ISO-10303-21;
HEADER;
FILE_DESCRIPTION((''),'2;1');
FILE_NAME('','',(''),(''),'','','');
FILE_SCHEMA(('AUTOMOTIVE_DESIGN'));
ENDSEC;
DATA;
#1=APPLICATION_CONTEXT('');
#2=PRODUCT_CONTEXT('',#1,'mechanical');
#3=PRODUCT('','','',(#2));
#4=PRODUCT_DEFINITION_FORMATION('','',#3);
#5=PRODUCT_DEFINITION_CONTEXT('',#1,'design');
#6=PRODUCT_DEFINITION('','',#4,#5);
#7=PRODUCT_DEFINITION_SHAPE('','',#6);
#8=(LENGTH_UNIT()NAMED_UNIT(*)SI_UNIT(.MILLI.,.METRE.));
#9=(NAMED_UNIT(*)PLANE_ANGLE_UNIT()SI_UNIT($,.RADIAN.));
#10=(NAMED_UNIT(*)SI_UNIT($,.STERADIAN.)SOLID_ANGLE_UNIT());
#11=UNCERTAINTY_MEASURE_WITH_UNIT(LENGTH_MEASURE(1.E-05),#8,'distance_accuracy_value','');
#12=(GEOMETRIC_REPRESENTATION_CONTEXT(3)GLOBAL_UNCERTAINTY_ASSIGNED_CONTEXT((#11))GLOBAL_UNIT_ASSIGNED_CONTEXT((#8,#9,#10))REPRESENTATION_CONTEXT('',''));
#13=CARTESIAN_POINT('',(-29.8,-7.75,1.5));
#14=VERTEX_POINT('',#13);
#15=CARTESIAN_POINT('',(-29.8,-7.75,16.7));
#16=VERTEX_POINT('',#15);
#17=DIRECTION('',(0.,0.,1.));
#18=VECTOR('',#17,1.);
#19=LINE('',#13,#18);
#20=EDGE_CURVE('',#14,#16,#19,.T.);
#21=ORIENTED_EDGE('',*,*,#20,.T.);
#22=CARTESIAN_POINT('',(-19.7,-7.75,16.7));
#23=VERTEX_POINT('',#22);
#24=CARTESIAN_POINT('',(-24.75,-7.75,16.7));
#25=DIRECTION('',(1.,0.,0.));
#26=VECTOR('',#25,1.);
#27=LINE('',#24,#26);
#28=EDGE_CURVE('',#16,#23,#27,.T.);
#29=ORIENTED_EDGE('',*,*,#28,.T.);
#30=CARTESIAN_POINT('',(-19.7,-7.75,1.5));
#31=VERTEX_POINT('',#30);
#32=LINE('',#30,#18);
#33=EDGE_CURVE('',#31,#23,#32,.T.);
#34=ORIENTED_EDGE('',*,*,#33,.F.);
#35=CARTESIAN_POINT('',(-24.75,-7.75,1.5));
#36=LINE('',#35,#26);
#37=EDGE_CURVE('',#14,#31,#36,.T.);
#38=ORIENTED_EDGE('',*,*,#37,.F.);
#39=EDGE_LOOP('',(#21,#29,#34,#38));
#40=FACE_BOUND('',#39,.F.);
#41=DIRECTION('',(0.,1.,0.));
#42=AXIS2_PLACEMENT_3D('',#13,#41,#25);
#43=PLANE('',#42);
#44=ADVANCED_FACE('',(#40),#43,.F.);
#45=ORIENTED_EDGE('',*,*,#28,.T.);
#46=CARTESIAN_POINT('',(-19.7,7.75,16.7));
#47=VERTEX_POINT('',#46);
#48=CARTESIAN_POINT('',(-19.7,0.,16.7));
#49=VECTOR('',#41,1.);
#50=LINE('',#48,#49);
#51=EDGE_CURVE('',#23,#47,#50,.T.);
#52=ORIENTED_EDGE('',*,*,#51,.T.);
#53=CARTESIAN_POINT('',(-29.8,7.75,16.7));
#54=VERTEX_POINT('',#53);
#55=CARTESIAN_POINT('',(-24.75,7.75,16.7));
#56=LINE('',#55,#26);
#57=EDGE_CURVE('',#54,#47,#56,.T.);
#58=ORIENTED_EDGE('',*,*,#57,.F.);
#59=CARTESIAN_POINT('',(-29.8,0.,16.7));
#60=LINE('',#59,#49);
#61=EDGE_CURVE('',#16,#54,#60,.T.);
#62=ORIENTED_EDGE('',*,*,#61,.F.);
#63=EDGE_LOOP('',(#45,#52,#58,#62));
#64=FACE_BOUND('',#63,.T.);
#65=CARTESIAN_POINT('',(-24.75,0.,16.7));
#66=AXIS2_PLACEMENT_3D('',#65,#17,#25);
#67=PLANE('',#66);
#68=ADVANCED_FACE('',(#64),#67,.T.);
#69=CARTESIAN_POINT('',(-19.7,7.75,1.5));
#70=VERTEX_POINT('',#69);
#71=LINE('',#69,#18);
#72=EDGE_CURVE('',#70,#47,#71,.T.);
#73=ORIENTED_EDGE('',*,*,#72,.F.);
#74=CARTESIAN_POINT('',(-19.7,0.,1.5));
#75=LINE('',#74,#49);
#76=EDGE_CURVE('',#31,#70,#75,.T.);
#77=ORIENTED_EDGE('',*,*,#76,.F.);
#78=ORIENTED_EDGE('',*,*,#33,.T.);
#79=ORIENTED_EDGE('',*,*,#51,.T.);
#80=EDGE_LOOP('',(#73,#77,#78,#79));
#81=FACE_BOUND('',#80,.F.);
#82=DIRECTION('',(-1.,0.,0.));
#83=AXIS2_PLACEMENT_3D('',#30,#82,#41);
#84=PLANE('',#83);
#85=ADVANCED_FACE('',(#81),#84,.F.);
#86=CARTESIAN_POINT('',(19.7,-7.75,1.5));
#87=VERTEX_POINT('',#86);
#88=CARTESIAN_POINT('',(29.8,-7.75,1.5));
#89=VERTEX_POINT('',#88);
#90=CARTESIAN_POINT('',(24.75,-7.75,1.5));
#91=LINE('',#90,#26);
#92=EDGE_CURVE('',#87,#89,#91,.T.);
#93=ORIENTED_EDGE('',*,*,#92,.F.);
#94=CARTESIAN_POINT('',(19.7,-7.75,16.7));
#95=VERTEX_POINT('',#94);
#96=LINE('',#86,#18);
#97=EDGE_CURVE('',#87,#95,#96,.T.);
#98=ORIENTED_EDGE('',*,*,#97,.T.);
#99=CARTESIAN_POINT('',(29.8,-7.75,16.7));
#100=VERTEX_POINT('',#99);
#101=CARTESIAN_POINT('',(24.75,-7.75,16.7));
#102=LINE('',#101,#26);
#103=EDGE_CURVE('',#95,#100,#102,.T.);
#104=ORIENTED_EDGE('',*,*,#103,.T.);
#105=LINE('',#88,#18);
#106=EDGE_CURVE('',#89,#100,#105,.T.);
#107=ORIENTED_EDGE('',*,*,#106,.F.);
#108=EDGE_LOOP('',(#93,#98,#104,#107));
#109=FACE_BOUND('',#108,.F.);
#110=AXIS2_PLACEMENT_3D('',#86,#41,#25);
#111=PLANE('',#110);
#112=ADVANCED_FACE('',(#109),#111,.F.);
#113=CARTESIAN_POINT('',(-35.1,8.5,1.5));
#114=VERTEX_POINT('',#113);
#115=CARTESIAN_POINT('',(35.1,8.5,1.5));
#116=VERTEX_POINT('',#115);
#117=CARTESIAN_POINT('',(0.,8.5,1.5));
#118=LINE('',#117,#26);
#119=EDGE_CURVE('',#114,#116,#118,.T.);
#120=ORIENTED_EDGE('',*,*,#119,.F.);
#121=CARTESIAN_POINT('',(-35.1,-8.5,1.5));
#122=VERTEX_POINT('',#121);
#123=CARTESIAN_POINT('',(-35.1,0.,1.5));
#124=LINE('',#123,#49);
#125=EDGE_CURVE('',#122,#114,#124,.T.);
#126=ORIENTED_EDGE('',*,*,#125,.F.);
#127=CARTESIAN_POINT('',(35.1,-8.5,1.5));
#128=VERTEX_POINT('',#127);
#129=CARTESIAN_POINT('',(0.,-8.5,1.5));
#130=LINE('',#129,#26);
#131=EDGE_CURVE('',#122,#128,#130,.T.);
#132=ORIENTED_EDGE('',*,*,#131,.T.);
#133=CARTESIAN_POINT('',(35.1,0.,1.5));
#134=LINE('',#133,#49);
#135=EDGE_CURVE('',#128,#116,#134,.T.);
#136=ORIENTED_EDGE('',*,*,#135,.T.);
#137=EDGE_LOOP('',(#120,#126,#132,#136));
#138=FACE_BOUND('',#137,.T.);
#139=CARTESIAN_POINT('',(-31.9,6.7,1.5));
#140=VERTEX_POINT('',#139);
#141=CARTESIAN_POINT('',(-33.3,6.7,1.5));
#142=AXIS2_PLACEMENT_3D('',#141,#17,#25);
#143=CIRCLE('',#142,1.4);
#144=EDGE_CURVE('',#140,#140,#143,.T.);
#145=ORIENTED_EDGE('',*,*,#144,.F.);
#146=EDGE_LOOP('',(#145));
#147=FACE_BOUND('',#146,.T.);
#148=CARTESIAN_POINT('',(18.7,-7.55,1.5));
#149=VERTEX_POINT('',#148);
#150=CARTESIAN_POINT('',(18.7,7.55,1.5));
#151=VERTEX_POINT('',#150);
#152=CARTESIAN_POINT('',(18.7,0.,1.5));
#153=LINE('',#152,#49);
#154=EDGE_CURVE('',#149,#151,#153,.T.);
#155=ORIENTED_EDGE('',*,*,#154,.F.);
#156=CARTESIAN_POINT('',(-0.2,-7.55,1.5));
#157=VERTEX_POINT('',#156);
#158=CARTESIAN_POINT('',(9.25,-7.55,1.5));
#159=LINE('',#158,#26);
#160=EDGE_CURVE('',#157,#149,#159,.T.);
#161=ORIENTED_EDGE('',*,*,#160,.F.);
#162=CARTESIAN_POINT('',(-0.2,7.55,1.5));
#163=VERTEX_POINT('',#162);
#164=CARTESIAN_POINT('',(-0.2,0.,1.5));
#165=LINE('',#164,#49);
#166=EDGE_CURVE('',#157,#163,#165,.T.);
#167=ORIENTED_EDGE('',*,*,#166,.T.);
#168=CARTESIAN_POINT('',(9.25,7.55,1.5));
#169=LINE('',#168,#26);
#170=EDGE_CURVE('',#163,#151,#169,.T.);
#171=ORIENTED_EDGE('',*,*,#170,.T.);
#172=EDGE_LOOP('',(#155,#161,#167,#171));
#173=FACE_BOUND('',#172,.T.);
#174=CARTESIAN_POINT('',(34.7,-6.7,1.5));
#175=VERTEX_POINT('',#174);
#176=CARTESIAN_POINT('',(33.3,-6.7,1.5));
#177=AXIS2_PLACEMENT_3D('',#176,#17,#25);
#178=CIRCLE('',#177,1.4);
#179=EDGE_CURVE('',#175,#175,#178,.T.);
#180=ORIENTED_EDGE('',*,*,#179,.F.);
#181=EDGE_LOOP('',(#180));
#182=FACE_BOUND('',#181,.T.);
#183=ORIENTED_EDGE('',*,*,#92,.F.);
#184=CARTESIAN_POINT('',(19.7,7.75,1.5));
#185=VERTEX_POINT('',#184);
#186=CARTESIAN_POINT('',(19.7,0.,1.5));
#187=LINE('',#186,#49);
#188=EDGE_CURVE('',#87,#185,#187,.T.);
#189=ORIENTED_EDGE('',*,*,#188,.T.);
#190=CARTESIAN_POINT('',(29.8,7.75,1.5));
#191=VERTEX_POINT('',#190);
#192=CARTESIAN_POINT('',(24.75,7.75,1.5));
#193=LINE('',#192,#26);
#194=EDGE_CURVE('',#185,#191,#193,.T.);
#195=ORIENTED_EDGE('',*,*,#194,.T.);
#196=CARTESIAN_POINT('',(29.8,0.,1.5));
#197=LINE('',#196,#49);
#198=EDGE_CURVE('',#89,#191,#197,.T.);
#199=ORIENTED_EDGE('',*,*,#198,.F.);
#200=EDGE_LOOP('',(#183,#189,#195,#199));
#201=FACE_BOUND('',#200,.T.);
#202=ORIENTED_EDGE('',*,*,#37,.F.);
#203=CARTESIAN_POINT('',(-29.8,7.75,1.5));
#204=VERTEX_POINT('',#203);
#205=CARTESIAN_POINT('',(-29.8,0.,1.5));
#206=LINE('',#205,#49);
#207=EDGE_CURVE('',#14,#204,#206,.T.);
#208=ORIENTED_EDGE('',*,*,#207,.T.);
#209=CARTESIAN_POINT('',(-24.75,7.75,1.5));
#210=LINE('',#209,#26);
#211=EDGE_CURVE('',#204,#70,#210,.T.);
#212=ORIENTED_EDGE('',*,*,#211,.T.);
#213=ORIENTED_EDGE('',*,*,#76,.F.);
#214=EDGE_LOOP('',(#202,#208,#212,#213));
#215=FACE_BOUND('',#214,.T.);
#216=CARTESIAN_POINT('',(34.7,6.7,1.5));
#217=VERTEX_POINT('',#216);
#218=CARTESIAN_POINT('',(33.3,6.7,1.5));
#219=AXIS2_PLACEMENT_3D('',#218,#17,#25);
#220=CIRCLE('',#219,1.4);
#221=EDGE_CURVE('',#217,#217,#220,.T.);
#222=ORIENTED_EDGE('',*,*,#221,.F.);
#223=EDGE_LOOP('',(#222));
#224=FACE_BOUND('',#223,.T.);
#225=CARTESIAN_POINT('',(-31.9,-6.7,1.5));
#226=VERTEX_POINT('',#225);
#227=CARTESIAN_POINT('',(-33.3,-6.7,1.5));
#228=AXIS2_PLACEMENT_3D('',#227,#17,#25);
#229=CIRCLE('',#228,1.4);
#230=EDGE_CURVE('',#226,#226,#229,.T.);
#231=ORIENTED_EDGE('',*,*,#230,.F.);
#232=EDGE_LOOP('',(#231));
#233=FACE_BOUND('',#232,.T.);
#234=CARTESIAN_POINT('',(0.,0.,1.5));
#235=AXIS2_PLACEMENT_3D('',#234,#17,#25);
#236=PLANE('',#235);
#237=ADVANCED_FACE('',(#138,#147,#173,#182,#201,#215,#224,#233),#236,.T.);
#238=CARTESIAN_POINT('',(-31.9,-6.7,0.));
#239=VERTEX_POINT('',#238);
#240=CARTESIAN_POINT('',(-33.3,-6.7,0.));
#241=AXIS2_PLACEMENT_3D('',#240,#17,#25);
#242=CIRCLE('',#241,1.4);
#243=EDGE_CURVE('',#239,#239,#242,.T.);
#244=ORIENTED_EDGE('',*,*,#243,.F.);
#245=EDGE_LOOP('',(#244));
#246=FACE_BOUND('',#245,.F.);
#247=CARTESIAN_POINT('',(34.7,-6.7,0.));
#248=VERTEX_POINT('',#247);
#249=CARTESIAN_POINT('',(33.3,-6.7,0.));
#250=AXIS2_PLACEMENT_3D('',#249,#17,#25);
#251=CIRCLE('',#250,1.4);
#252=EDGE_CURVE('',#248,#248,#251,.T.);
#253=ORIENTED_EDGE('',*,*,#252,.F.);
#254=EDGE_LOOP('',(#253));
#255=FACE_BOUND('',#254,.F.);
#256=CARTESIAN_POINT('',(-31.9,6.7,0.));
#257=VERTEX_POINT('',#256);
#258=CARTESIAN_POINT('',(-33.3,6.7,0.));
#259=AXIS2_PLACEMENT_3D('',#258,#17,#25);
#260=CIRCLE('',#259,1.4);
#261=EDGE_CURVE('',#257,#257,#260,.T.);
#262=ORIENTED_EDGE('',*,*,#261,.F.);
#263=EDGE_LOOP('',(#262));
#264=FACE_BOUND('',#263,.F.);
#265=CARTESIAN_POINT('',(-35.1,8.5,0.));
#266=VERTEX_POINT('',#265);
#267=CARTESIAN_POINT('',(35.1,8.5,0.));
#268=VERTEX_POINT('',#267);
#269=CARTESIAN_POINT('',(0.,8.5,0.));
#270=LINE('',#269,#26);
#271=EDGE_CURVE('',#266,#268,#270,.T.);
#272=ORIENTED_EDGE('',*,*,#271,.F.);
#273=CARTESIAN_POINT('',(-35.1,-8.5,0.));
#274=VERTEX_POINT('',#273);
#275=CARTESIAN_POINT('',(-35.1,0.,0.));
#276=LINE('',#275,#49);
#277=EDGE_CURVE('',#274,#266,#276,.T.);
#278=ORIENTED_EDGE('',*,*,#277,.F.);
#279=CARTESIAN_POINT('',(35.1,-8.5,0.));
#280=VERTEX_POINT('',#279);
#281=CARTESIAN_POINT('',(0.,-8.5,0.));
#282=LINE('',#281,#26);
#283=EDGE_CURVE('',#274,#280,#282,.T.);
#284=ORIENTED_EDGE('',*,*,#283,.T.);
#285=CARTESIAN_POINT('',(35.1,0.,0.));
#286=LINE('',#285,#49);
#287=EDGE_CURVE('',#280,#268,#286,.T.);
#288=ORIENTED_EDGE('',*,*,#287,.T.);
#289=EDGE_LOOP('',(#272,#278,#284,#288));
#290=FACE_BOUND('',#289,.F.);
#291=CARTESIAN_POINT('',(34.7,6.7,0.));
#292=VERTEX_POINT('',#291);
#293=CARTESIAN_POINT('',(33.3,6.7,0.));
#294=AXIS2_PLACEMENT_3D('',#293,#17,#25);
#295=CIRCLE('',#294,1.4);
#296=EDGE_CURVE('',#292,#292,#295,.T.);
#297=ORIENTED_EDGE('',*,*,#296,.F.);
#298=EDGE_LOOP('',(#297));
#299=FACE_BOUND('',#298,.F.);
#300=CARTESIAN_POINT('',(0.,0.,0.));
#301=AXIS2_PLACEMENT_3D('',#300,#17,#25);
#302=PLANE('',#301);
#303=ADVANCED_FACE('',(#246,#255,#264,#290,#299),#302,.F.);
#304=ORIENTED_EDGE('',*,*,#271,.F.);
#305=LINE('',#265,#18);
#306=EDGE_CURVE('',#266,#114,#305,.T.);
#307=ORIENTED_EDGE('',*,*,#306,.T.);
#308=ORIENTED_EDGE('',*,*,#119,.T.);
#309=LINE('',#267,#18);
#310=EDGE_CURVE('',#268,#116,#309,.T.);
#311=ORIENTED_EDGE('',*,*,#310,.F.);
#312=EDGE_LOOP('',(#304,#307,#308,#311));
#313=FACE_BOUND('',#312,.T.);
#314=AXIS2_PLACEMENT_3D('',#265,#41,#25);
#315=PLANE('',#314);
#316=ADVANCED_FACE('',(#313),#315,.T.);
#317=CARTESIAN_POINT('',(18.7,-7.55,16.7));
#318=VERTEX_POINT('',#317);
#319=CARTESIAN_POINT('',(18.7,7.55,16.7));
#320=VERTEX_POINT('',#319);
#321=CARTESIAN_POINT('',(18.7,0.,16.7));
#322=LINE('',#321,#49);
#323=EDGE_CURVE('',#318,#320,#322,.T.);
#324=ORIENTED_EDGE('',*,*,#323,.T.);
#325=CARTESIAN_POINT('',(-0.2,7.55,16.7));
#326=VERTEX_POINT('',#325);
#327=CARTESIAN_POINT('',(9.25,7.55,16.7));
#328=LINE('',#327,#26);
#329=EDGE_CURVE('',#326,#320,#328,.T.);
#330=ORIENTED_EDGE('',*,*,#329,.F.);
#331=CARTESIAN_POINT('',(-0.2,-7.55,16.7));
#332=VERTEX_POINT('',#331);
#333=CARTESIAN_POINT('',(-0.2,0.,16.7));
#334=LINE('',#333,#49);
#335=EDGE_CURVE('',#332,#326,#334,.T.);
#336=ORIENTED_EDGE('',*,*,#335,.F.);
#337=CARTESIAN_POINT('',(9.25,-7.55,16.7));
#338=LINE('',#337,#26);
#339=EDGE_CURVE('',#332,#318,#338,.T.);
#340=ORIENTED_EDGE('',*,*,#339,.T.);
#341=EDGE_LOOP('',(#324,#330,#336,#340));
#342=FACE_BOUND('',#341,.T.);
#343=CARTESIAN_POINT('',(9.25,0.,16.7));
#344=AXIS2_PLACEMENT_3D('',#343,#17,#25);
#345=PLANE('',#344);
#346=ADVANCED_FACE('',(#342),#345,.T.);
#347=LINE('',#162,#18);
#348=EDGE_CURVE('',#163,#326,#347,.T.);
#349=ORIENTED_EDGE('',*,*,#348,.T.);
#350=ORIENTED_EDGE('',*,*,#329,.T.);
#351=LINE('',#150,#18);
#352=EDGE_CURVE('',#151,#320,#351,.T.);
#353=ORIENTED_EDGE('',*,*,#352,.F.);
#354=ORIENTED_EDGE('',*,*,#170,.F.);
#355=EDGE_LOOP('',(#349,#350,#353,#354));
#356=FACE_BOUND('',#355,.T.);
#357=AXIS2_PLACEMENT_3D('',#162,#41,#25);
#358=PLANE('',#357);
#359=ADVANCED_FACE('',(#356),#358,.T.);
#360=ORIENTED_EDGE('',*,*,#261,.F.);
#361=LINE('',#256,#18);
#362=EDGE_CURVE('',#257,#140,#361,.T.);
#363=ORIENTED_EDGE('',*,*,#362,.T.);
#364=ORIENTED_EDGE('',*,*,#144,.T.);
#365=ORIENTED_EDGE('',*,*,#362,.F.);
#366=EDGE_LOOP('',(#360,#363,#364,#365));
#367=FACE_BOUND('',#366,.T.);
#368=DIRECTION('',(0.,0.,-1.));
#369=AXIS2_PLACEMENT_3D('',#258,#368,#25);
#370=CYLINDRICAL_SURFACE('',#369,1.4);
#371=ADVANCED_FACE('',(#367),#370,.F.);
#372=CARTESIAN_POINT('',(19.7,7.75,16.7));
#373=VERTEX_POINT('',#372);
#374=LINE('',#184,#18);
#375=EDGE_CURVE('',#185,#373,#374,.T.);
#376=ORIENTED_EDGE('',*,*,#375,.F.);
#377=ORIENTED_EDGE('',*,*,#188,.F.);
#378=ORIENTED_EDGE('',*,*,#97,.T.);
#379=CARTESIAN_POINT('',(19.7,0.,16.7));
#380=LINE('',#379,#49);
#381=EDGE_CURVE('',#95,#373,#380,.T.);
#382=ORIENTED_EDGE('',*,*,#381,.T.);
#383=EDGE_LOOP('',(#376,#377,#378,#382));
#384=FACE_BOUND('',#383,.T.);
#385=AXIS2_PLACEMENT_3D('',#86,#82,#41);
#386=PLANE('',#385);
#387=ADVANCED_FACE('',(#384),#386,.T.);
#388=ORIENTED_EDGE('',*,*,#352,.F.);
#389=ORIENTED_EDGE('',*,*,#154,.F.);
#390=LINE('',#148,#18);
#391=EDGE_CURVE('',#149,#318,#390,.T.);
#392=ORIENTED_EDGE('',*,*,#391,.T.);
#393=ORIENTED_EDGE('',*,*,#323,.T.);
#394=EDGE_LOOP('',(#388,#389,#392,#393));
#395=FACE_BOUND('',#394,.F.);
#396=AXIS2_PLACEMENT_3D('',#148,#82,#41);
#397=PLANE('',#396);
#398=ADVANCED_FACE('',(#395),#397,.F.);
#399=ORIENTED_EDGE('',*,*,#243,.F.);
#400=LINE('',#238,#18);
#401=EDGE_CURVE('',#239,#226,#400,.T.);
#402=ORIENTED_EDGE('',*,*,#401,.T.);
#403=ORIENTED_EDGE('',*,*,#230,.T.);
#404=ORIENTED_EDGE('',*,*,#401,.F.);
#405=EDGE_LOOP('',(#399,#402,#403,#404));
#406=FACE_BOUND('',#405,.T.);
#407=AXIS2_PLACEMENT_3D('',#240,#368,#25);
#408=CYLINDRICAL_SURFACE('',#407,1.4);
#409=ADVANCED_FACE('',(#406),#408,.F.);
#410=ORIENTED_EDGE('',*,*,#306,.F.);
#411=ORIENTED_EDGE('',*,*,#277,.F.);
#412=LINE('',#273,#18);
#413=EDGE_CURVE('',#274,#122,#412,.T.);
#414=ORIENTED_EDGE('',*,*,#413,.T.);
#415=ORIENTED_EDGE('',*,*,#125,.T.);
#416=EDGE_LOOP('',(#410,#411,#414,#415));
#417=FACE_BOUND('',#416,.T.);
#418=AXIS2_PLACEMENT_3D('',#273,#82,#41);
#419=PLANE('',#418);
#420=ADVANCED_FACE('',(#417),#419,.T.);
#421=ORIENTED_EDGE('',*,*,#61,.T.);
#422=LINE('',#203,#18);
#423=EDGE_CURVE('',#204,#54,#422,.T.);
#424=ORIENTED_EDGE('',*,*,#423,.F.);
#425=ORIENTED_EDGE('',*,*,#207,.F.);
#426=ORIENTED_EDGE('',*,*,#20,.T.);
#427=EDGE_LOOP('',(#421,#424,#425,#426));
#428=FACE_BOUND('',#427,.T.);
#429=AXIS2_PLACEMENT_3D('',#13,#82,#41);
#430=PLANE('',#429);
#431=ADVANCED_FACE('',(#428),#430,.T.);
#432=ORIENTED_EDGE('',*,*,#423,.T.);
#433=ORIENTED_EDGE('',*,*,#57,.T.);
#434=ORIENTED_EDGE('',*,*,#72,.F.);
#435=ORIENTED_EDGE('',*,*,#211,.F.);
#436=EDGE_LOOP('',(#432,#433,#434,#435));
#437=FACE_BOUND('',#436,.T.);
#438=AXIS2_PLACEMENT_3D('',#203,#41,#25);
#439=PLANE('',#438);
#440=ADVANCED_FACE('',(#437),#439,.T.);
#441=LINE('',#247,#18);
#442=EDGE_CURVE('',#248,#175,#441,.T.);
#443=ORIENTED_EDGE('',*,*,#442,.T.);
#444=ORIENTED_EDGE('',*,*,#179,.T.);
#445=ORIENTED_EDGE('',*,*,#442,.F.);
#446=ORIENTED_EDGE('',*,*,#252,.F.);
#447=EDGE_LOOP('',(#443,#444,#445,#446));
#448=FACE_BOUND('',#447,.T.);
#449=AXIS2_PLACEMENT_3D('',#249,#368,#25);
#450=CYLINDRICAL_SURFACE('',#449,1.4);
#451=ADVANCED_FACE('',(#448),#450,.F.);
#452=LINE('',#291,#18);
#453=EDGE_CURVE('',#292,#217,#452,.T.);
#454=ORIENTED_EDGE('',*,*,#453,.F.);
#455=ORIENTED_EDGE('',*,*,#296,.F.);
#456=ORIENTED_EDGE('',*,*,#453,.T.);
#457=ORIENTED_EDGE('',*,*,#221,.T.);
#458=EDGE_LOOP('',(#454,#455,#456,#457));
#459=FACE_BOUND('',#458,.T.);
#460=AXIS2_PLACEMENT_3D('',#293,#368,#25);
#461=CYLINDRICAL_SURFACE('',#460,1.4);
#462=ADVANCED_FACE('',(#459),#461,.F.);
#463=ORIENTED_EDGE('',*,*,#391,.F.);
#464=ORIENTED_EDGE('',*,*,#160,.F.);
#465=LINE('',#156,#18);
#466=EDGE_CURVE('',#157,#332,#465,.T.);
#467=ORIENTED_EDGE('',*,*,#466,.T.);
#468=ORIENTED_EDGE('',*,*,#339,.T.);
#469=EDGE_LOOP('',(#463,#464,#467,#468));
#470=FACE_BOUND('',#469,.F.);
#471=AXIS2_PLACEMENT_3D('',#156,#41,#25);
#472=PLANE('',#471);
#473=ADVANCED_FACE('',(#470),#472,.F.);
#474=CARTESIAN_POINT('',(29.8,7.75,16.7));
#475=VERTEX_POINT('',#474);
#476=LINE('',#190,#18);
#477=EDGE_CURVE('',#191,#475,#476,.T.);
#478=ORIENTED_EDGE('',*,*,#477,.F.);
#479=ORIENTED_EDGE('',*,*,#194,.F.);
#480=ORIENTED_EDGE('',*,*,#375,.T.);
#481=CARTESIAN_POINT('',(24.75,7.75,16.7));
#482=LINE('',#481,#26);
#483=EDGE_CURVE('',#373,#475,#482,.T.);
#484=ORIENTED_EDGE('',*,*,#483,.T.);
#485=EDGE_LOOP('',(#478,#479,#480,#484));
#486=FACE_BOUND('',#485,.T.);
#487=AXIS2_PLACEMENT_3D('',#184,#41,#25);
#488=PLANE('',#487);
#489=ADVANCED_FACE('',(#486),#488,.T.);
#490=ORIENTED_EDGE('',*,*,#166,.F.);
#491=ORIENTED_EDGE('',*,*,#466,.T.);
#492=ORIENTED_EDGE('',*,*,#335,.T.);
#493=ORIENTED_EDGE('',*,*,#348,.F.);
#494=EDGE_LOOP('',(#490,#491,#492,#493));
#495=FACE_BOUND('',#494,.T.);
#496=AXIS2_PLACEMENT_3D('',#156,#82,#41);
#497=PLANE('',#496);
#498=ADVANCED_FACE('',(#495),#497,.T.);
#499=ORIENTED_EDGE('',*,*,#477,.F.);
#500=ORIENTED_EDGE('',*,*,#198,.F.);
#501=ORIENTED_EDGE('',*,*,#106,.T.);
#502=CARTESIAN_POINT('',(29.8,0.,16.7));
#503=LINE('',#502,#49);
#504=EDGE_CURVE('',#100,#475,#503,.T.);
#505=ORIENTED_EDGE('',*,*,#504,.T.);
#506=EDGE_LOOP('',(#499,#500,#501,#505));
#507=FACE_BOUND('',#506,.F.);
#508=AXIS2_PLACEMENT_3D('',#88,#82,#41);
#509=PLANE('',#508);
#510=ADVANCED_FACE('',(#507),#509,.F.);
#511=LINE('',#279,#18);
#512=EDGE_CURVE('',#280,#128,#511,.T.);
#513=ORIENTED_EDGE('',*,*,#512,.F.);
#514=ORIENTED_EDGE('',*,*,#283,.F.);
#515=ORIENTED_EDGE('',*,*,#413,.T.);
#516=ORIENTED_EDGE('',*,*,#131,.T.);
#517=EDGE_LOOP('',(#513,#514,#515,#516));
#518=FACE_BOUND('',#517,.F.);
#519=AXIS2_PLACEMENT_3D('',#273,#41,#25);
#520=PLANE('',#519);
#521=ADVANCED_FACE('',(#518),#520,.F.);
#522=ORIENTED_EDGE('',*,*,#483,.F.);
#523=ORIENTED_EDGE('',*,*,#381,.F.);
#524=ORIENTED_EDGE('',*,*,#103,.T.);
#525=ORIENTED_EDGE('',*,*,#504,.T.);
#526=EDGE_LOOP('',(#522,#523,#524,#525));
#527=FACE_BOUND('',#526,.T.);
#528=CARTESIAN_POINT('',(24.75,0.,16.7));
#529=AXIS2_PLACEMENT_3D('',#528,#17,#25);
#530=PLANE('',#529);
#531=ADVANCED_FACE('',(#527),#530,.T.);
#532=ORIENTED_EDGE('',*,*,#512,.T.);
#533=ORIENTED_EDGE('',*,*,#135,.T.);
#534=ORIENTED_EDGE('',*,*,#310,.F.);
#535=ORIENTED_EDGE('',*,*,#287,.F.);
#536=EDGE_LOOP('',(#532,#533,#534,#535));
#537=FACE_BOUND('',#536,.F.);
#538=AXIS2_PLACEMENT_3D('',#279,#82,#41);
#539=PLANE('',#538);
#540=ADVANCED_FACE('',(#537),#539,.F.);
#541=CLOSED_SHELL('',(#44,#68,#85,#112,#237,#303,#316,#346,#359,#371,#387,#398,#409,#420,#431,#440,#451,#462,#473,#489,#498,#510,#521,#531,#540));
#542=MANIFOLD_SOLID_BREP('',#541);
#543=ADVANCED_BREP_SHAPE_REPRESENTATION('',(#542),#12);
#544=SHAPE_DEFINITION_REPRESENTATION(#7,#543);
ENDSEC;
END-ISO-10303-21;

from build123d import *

# Parameters (mm, degrees)
SKETCH_W      = 70.2
SKETCH_H      = 17
SKETCH_R      = 1.4
PAD_DEPTH     = 1.5
SKETCH001_W   = 10.1
SKETCH001_H   = 15.5
SKETCH001_W_2 = 18.9
SKETCH001_H_2 = 15.1
PAD001_DEPTH  = 15.2


with BuildPart() as part:
    # Sketch → Pad (new body)
    with BuildSketch(Plane.XY):
        Rectangle(SKETCH_W, SKETCH_H)
        with Locations((-33.3, 6.7)):
            Circle(SKETCH_R, mode=Mode.SUBTRACT)
        with Locations((33.3, 6.7)):
            Circle(SKETCH_R, mode=Mode.SUBTRACT)
        with Locations((-33.3, -6.7)):
            Circle(SKETCH_R, mode=Mode.SUBTRACT)
        with Locations((33.3, -6.7)):
            Circle(SKETCH_R, mode=Mode.SUBTRACT)
    extrude(amount=PAD_DEPTH)

    # Sketch001 (on Face10 of Pad) → Pad001 (join)
    with BuildSketch(Plane.XY.offset(1.5)):
        with Locations((-24.75, 0)):
            Rectangle(SKETCH001_W, SKETCH001_H)
        with Locations((24.75, 0)):
            Rectangle(SKETCH001_W, SKETCH001_H)
        with Locations((9.25, 0)):
            Rectangle(SKETCH001_W_2, SKETCH001_H_2)
    extrude(amount=PAD001_DEPTH)


solid = part.part
